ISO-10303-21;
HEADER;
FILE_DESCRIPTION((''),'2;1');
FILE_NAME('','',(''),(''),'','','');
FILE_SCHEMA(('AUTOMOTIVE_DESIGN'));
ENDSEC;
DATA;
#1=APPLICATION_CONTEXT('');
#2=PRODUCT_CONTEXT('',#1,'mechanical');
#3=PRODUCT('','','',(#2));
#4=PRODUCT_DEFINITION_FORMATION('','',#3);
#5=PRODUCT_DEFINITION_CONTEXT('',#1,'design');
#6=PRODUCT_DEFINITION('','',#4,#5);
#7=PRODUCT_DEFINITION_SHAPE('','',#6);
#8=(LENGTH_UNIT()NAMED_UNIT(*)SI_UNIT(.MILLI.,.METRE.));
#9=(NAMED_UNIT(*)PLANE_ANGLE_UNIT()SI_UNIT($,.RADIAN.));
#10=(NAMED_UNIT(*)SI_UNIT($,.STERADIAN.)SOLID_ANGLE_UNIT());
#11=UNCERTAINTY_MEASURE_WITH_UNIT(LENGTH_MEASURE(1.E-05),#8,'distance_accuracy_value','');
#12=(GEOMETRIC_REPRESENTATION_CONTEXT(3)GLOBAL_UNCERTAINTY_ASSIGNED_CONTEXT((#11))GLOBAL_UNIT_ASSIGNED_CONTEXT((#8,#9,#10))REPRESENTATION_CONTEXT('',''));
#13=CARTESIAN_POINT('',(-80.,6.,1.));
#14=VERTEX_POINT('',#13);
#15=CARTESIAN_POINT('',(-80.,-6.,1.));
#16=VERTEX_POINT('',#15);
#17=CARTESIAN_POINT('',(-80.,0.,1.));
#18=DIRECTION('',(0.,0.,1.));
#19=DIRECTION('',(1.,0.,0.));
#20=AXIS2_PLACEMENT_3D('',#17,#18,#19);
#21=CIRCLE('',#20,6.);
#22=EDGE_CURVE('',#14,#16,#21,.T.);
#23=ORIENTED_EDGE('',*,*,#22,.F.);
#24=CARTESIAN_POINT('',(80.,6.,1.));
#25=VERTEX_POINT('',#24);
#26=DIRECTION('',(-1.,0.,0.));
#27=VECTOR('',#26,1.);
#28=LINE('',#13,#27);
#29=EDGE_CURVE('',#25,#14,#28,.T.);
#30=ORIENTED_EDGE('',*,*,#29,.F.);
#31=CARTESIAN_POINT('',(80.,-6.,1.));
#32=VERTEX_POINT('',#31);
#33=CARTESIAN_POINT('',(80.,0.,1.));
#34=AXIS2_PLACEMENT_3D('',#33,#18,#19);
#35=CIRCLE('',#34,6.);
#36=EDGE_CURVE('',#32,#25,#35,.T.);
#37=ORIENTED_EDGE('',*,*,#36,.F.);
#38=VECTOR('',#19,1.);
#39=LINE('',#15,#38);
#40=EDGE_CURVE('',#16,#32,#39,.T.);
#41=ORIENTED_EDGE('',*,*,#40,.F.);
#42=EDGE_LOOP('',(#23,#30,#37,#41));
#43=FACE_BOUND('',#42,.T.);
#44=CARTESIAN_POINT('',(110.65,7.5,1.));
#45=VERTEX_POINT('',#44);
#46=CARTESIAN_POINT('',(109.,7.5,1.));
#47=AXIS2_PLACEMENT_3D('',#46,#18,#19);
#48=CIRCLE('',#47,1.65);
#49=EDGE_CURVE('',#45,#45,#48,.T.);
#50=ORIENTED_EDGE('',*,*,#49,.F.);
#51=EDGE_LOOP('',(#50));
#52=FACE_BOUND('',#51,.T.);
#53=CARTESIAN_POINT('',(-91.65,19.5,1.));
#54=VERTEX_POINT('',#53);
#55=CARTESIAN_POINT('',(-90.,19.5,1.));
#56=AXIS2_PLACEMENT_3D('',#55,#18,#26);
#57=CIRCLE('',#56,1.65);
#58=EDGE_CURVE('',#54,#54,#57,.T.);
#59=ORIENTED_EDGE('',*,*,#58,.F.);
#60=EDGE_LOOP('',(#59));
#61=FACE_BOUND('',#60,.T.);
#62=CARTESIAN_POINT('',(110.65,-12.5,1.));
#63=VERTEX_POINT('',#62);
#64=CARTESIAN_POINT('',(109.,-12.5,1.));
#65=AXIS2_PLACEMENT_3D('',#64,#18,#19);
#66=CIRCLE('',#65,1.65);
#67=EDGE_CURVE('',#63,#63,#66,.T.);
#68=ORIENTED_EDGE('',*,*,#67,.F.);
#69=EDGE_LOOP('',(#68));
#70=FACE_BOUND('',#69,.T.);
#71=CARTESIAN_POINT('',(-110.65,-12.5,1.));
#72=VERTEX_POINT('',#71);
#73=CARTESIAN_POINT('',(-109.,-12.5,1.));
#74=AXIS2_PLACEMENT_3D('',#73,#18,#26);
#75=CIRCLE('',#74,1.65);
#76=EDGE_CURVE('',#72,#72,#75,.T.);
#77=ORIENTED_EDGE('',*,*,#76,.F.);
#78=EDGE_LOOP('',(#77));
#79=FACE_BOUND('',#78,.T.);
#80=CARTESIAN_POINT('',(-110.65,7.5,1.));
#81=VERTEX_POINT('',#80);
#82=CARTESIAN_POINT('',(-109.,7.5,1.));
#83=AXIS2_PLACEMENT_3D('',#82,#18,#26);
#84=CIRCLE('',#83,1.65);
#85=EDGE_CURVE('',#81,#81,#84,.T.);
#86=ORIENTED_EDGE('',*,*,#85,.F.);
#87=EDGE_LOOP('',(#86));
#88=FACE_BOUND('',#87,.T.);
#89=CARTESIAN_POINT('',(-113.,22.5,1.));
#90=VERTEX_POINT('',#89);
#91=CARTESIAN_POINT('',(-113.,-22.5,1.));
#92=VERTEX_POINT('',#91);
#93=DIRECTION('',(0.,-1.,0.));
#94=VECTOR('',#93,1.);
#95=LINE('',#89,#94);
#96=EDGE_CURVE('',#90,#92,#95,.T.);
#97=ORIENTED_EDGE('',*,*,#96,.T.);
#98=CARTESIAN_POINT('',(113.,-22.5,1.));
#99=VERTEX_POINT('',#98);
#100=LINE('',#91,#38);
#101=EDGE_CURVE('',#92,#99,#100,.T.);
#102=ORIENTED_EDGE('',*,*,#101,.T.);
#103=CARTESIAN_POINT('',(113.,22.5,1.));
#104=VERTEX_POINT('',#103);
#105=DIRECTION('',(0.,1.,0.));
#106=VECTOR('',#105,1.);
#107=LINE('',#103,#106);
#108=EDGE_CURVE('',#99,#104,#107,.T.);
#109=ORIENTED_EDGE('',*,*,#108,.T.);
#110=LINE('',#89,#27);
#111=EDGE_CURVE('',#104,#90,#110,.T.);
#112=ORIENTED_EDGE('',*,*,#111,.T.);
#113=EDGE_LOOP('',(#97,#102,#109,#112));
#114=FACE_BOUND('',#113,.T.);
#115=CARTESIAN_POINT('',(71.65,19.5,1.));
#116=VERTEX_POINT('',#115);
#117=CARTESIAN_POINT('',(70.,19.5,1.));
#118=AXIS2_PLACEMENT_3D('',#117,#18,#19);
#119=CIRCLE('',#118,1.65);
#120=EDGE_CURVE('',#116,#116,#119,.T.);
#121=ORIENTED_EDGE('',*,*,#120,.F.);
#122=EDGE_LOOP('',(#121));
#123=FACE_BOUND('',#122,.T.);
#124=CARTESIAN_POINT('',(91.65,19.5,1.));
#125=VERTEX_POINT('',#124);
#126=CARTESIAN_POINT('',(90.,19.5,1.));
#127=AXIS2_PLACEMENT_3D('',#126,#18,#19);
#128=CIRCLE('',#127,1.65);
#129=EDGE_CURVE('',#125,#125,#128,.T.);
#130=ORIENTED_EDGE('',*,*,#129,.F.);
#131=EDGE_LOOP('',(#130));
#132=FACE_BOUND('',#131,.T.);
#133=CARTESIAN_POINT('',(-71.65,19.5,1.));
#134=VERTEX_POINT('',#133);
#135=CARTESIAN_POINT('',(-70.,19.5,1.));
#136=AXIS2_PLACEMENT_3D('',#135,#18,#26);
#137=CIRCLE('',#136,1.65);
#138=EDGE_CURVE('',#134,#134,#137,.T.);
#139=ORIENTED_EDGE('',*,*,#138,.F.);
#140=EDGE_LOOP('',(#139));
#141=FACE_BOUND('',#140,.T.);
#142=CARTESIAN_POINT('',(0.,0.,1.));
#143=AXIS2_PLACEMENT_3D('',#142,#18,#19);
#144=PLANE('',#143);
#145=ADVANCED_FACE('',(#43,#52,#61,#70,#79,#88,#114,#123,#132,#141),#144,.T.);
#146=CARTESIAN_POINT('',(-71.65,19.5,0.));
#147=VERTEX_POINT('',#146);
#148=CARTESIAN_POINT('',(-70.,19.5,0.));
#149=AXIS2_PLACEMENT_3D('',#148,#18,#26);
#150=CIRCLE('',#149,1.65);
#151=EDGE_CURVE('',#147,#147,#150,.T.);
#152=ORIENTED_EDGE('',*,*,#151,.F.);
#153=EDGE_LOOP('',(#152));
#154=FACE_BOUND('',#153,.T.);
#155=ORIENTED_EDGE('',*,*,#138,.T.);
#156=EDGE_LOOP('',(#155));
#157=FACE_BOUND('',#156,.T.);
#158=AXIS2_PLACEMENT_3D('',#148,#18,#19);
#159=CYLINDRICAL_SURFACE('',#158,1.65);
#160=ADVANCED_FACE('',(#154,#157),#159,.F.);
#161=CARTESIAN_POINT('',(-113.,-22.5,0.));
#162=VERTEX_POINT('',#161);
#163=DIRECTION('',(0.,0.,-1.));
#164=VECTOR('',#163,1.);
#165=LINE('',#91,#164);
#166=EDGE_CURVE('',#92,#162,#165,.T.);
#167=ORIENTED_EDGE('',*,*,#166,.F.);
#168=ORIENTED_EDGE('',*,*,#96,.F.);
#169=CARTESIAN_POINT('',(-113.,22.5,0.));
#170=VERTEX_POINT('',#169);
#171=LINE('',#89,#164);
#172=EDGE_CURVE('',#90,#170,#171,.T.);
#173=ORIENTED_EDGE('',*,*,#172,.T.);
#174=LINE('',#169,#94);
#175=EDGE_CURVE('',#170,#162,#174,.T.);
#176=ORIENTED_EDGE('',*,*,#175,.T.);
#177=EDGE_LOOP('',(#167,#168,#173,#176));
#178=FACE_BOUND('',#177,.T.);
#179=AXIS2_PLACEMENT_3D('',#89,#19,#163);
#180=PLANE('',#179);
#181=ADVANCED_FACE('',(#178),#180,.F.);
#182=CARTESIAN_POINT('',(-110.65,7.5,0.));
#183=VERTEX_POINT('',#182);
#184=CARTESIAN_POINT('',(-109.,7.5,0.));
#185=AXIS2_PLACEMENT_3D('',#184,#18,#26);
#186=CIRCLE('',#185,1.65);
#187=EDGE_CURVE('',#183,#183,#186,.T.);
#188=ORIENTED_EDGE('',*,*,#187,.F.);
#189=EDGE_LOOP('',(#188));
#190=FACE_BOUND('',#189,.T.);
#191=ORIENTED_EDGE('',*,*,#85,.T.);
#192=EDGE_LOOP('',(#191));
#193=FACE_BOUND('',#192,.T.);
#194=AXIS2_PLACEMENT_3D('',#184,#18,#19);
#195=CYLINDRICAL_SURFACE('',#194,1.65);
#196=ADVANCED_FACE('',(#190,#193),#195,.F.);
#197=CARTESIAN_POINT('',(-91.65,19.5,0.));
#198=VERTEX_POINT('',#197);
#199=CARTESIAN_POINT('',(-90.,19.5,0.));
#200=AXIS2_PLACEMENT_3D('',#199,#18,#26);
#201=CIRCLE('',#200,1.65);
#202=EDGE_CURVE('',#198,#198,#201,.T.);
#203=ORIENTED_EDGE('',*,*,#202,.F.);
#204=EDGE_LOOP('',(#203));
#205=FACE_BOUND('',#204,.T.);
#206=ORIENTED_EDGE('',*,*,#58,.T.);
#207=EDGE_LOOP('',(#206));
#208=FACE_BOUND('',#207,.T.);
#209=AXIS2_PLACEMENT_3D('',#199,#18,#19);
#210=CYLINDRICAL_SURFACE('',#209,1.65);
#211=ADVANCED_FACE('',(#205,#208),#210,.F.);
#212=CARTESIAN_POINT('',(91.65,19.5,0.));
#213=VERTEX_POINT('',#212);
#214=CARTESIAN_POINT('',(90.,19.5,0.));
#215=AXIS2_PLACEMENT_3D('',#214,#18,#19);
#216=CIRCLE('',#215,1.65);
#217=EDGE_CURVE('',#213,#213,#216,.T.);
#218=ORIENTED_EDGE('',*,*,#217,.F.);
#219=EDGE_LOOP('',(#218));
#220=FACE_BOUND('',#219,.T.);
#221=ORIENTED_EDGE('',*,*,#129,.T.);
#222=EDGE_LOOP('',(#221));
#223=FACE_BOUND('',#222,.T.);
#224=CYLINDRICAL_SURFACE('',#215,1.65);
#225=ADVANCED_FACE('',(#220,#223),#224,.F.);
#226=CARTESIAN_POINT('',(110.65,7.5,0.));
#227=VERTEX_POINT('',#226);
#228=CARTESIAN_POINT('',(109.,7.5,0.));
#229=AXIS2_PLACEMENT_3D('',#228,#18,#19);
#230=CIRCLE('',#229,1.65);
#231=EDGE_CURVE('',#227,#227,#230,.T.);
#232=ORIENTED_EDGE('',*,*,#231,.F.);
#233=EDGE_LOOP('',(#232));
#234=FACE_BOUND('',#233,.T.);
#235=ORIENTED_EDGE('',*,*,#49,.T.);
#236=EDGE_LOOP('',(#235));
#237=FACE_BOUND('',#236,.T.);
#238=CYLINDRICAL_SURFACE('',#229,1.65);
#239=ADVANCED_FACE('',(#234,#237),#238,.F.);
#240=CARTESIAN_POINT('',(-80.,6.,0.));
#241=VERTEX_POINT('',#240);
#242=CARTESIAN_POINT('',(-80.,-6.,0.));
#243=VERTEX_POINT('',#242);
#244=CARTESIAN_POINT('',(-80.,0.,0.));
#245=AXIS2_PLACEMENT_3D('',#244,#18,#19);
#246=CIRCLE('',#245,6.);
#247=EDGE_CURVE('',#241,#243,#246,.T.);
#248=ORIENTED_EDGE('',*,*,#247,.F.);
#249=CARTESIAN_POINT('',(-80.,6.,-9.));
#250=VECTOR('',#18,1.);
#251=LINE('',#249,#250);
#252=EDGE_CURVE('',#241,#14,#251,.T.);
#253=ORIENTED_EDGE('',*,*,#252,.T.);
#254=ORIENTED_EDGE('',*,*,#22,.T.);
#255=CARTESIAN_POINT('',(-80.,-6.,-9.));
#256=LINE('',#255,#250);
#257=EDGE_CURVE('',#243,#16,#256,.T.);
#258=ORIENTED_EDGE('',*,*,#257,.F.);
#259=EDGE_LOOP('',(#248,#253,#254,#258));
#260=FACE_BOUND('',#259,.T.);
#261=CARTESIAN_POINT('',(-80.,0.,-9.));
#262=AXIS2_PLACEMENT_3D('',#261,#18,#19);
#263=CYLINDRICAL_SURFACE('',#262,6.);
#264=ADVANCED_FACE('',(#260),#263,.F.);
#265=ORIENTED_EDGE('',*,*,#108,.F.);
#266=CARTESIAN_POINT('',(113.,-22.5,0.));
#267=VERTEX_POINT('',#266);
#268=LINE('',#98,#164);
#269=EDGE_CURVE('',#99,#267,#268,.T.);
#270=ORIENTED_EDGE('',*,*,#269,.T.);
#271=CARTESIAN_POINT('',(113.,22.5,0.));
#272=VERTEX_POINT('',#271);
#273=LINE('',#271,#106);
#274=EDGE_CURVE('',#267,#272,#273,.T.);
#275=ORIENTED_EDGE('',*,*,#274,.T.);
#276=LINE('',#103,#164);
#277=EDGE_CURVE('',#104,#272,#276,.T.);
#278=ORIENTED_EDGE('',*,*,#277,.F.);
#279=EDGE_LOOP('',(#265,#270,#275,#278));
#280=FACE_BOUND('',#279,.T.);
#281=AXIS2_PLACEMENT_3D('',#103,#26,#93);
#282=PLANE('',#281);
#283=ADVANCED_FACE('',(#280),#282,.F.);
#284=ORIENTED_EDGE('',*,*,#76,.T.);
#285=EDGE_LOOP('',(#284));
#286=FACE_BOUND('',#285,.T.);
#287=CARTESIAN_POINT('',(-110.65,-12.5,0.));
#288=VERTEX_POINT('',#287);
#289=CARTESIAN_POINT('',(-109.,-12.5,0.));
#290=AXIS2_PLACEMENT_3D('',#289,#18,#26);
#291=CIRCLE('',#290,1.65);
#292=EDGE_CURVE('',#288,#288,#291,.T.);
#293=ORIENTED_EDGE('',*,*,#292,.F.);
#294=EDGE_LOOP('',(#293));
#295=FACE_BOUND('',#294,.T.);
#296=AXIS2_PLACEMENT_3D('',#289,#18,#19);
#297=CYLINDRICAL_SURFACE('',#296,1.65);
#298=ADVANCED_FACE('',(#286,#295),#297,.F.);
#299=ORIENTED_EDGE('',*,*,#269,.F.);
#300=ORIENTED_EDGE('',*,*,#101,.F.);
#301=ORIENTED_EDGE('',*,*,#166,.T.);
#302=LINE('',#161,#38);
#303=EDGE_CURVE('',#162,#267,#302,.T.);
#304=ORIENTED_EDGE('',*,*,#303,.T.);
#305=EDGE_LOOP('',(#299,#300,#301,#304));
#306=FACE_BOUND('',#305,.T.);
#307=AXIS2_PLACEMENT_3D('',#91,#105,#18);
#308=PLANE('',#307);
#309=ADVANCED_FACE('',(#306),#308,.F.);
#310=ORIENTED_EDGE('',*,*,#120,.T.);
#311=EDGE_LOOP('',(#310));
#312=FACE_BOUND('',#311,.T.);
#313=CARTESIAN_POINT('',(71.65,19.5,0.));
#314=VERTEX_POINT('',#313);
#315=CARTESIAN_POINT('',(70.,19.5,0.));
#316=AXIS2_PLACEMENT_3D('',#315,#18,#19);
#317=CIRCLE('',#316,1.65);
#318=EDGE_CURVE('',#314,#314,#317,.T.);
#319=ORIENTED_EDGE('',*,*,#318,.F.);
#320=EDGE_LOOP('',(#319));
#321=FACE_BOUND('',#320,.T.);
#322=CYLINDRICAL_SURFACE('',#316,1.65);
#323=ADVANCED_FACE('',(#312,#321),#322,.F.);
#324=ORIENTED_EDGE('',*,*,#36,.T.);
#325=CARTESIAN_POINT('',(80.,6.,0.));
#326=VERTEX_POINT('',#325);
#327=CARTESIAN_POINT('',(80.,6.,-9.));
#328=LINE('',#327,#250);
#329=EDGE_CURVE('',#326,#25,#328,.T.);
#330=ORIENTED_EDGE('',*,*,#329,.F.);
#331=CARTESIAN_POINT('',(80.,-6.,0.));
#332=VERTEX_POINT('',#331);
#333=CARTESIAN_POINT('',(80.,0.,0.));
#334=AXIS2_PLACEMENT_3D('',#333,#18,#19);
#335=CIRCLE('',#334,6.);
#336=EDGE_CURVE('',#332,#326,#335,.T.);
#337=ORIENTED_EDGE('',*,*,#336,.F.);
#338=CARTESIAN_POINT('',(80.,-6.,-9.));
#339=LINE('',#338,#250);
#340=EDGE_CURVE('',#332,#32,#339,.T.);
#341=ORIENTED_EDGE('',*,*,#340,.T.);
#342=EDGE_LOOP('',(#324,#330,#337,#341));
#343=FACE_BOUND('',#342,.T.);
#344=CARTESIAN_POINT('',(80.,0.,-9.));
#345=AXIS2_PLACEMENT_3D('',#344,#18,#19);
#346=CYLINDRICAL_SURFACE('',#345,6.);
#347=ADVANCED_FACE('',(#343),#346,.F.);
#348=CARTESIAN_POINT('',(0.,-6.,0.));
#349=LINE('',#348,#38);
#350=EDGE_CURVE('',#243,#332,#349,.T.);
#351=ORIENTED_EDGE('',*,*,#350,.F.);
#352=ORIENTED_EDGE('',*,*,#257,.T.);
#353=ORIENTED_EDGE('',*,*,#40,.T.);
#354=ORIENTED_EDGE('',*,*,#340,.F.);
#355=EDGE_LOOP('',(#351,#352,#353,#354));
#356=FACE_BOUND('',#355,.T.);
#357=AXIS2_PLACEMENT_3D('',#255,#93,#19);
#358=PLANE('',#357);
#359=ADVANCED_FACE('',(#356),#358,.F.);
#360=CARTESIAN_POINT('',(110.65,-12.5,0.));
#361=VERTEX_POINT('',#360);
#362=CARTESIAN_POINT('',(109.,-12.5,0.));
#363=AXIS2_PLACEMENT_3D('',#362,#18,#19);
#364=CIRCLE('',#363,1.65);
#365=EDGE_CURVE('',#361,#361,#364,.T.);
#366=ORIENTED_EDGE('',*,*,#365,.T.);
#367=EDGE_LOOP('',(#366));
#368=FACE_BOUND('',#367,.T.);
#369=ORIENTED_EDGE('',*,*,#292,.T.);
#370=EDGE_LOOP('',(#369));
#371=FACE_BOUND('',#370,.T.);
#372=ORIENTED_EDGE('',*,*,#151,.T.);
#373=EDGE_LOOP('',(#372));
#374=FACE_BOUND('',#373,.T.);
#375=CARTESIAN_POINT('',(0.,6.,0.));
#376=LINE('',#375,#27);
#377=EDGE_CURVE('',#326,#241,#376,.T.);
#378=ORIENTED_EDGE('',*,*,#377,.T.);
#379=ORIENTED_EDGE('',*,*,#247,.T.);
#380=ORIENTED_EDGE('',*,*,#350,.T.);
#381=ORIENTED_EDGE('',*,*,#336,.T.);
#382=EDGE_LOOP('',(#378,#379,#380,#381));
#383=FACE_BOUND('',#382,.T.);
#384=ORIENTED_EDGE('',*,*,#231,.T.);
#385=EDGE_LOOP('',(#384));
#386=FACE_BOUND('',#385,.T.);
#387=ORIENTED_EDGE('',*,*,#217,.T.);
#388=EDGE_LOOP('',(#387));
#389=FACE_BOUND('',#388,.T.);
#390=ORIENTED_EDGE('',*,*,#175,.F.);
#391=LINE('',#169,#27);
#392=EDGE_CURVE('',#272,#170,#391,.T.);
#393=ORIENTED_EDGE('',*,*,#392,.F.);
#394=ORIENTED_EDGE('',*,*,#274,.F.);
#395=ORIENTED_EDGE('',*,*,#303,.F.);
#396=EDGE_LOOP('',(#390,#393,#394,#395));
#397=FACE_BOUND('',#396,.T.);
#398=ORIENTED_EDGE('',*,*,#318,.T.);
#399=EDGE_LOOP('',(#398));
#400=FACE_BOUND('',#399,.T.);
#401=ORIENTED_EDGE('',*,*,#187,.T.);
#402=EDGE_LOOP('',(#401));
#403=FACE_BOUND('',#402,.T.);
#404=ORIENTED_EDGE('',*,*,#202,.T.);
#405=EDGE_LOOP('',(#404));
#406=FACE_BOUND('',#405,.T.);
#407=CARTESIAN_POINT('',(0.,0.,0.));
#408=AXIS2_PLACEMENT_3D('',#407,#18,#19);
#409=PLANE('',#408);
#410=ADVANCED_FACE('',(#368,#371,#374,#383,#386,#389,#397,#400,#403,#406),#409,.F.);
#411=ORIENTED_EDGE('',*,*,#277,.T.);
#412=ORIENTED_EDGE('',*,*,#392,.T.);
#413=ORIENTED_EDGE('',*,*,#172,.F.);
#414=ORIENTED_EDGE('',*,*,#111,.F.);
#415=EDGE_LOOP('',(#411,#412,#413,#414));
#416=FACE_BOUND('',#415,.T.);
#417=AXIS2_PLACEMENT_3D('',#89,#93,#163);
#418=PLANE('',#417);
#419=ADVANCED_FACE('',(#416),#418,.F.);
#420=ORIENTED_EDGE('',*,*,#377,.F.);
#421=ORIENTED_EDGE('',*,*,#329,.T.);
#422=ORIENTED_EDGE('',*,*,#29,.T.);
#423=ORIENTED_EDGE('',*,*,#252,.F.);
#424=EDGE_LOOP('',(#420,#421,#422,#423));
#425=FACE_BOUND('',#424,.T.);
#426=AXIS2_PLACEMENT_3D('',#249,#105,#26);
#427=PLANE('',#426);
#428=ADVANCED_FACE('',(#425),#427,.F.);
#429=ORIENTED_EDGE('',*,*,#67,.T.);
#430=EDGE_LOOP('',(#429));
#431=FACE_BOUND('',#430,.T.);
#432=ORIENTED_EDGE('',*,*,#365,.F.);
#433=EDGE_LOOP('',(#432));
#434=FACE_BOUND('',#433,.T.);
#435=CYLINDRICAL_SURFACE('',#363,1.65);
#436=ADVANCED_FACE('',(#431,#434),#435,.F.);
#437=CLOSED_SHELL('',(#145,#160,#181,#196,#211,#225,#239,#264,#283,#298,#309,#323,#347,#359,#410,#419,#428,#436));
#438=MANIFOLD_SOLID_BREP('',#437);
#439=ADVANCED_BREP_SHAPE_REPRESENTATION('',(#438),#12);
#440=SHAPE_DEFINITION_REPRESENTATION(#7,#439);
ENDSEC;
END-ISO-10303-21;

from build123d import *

# Parameters (mm, degrees)
SKETCH_1_W          = 226
SKETCH_1_H          = 45
EXTRUDE_1_DEPTH     = 1
SKETCH_2_R          = 1.65
CUT_EXTRUDE_1_DEPTH = 116.222610628
CUT_EXTRUDE_2_DEPTH = 10
SKETCH_4_R          = 1.65
CUT_EXTRUDE_3_DEPTH = 116.222610628


with BuildPart() as part:
    # 草图1 → 凸台-拉伸1 (new body)
    with BuildSketch(Plane.XY):
        Rectangle(SKETCH_1_W, SKETCH_1_H)
    extrude(amount=EXTRUDE_1_DEPTH)

    # 草图2 → 切除-拉伸1 (cut, through all)
    with BuildSketch(Plane.XY.offset(1)):
        with Locations((90, 19.5)):
            Circle(SKETCH_2_R)
        with Locations((70, 19.5)):
            Circle(SKETCH_2_R)
        with Locations(Location((-70, 19.5, 0), (0, 0, 180))):
            Circle(SKETCH_2_R)
        with Locations(Location((-90, 19.5, 0), (0, 0, 180))):
            Circle(SKETCH_2_R)
    extrude(amount=-CUT_EXTRUDE_1_DEPTH, mode=Mode.SUBTRACT)

    # 草图3 → 切除-拉伸2 (cut)
    with BuildSketch(Plane.XY.offset(1)):
        with BuildLine():
            Line((-80, 6), (80, 6))
            ThreePointArc((80, 6), (86, 0), (80, -6))
            Line((80, -6), (-80, -6))
            ThreePointArc((-80, -6), (-86, 0), (-80, 6))
        make_face()
    extrude(amount=-CUT_EXTRUDE_2_DEPTH, mode=Mode.SUBTRACT)

    # 草图4 → 切除-拉伸3 (cut, through all)
    with BuildSketch(Plane.XY.offset(1)):
        with Locations((109, 7.5)):
            Circle(SKETCH_4_R)
        with Locations((109, -12.5)):
            Circle(SKETCH_4_R)
        with Locations(Location((-109, -12.5, 0), (0, 0, 180))):
            Circle(SKETCH_4_R)
        with Locations(Location((-109, 7.5, 0), (0, 0, 180))):
            Circle(SKETCH_4_R)
    extrude(amount=-CUT_EXTRUDE_3_DEPTH, mode=Mode.SUBTRACT)


solid = part.part
